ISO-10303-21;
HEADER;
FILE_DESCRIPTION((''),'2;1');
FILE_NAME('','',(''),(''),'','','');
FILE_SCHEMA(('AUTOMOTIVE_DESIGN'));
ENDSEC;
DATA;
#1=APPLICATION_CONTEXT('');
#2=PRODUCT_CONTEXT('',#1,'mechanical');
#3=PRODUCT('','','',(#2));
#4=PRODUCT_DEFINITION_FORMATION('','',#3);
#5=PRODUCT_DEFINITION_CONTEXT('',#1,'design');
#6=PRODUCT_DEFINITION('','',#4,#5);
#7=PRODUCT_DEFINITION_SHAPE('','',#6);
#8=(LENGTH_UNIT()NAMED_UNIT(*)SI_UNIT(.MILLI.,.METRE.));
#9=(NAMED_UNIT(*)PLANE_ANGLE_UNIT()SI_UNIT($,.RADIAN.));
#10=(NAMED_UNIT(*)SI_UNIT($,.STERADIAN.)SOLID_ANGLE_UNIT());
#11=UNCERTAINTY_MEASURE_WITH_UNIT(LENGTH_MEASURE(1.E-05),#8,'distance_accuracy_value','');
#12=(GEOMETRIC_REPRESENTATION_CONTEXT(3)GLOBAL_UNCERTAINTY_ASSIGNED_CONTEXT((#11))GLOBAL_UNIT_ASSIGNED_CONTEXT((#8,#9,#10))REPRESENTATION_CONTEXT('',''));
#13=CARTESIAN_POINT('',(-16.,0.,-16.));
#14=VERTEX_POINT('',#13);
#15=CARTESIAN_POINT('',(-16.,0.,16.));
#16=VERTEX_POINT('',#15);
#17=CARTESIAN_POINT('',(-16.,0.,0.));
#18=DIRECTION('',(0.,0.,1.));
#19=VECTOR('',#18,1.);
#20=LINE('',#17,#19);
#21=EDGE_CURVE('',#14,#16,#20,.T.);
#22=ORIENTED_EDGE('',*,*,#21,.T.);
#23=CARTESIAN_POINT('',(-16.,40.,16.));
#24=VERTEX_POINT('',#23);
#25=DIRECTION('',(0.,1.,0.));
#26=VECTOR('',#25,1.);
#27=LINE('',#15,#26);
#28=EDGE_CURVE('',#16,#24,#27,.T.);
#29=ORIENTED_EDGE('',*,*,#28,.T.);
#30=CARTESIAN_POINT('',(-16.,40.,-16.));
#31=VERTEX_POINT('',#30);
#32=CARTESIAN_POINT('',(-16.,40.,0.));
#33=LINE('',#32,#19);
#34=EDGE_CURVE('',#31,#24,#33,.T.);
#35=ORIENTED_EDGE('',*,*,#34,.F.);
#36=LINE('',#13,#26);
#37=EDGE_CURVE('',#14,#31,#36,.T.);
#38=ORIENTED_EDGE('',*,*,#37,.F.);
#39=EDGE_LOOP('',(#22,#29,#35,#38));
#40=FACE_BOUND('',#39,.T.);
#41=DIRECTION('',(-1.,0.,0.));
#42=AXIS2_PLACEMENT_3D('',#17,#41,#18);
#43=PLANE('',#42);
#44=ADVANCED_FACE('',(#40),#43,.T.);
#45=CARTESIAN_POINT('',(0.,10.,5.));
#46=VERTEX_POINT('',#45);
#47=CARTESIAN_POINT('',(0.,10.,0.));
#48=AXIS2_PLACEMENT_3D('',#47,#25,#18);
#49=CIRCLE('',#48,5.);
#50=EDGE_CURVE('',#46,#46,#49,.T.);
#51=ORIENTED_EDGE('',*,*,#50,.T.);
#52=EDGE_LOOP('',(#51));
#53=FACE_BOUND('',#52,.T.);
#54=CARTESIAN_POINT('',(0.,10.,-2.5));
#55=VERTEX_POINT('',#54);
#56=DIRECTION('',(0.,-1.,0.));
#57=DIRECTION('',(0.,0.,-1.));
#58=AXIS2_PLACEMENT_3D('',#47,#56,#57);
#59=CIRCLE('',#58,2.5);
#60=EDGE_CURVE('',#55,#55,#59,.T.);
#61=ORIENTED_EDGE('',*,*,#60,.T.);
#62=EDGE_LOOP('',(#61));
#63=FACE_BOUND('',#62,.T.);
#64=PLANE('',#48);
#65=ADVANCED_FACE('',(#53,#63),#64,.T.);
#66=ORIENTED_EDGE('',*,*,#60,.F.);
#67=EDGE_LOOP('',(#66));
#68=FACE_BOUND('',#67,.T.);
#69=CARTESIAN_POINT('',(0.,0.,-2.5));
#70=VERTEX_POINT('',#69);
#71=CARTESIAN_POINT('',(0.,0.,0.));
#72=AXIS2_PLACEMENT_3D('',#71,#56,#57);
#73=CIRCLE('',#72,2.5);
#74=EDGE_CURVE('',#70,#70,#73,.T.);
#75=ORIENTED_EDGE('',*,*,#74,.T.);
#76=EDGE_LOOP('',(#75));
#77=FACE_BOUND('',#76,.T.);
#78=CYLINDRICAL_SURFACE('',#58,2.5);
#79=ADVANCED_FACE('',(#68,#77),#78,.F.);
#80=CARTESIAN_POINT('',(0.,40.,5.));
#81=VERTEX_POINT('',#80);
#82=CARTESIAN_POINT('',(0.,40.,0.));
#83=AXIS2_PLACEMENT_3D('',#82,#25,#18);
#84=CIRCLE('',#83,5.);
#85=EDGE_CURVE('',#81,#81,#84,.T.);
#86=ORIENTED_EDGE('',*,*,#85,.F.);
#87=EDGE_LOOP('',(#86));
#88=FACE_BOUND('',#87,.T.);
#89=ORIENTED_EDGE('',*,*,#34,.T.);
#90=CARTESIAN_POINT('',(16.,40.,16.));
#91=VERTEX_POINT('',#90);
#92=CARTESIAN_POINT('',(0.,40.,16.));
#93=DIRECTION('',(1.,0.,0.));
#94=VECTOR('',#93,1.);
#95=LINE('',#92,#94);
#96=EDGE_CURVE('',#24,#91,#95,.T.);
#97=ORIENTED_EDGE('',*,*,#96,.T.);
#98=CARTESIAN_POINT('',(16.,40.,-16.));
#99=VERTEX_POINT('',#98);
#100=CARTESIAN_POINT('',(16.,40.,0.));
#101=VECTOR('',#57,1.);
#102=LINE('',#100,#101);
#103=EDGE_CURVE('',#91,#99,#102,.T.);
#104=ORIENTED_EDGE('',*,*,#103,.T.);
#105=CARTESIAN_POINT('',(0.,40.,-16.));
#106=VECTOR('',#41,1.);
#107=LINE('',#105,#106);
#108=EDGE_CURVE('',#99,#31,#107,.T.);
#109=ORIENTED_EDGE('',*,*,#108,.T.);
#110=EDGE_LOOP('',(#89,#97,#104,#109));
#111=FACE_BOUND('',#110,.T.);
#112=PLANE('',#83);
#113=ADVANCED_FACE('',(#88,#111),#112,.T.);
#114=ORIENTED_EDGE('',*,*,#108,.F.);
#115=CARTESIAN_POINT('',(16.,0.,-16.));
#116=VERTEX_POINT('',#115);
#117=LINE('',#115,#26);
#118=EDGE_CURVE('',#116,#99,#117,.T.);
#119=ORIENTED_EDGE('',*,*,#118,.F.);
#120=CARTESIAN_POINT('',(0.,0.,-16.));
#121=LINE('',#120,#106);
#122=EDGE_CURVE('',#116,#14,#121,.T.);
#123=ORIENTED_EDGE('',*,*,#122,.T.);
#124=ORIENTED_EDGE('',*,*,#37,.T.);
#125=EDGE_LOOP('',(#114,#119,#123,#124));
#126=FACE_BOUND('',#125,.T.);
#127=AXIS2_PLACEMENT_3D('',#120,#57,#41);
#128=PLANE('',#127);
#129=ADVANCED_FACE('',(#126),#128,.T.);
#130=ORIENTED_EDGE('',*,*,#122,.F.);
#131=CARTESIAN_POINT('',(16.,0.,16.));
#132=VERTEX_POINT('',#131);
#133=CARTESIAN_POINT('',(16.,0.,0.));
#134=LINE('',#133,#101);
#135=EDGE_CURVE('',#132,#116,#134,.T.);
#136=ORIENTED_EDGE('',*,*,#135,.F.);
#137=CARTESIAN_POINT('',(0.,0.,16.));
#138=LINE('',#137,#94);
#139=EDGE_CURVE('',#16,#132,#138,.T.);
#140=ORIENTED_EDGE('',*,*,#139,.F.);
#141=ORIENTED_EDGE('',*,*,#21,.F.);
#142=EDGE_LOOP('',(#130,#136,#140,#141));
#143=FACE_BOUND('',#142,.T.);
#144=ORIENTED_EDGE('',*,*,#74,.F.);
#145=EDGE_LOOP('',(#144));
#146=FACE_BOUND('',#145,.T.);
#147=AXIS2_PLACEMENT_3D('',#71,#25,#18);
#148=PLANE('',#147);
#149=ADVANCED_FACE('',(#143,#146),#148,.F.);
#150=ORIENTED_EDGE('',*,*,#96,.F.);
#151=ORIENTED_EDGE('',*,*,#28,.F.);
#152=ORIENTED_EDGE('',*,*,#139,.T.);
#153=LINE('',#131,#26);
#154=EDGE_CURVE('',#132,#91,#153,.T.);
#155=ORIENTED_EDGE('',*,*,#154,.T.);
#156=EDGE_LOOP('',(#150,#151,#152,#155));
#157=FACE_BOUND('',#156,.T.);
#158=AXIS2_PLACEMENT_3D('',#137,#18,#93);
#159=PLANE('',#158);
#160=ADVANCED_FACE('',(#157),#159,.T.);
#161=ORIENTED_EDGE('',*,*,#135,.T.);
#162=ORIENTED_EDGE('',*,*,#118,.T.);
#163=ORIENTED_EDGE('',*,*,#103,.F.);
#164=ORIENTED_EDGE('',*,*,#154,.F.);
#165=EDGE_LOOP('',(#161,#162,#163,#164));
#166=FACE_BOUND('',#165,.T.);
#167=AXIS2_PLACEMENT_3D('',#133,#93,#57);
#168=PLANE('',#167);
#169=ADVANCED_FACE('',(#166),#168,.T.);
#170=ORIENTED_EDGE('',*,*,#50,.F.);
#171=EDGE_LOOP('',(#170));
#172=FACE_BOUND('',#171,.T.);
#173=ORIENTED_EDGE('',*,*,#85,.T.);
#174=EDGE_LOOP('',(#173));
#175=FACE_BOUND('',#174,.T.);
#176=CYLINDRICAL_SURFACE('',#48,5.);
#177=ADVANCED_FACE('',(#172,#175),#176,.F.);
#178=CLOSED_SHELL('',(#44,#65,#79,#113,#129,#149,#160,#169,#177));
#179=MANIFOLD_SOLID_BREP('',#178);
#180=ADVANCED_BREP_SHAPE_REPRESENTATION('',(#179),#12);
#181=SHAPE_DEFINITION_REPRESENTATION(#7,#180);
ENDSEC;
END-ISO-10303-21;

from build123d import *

# Parameters (mm, degrees)
SKETCH_1_R          = 6
EXTRUDE_1_DEPTH     = 40
SKETCH_2_R          = 5
CUT_EXTRUDE_2_DEPTH = 30
SKETCH_3_R          = 2.5
CUT_EXTRUDE_4_DEPTH = 10
SKETCH_5_R          = 16
SKETCH_5_R_2        = 6
EXTRUDE_1_2_DEPTH   = 40
SKETCH_6_W          = 32
SKETCH_6_H          = 32
SKETCH_6_W_2        = 12
SKETCH_6_H_2        = 12
EXTRUDE_2_DEPTH     = 40


with BuildPart() as part:
    # 草圖1 → Extrude 1 (new body)
    with BuildSketch(Plane(origin=(0, 0, 0), x_dir=(1, 0, 0), z_dir=(0, 1, 0))):
        with Locations(Location((0, 0, 0), (0, 0, 270))):
            Circle(SKETCH_1_R)
    extrude(amount=EXTRUDE_1_DEPTH)

    # 草圖2 → 除料-伸長2 (cut)
    with BuildSketch(Plane(origin=(0, 40, 0), x_dir=(1, 0, 0), z_dir=(0, 1, 0))):
        with Locations(Location((0, 0, 0), (0, 0, 270))):
            Circle(SKETCH_2_R)
    extrude(amount=-CUT_EXTRUDE_2_DEPTH, mode=Mode.SUBTRACT)

    # 草圖3 → 除料-伸長4 (cut)
    with BuildSketch(Plane.XZ):
        with Locations(Location((0, 0, 0), (0, 0, 270))):
            Circle(SKETCH_3_R)
    extrude(amount=-CUT_EXTRUDE_4_DEPTH, mode=Mode.SUBTRACT)

    # 草圖5 → Extrude 1 2 (add)
    with BuildSketch(Plane(origin=(0, 0, 0), x_dir=(1, 0, 0), z_dir=(0, 1, 0))):
        Circle(SKETCH_5_R)
        Circle(SKETCH_5_R_2, mode=Mode.SUBTRACT)
    extrude(amount=EXTRUDE_1_2_DEPTH)

    # 草圖6 → 伸長-薄件2 (add)
    with BuildSketch(Plane(origin=(0, 40, 0), x_dir=(1, 0, 0), z_dir=(0, 1, 0))):
        Rectangle(SKETCH_6_W, SKETCH_6_H)
        Rectangle(SKETCH_6_W_2, SKETCH_6_H_2, mode=Mode.SUBTRACT)
    extrude(amount=-EXTRUDE_2_DEPTH)


solid = part.part
